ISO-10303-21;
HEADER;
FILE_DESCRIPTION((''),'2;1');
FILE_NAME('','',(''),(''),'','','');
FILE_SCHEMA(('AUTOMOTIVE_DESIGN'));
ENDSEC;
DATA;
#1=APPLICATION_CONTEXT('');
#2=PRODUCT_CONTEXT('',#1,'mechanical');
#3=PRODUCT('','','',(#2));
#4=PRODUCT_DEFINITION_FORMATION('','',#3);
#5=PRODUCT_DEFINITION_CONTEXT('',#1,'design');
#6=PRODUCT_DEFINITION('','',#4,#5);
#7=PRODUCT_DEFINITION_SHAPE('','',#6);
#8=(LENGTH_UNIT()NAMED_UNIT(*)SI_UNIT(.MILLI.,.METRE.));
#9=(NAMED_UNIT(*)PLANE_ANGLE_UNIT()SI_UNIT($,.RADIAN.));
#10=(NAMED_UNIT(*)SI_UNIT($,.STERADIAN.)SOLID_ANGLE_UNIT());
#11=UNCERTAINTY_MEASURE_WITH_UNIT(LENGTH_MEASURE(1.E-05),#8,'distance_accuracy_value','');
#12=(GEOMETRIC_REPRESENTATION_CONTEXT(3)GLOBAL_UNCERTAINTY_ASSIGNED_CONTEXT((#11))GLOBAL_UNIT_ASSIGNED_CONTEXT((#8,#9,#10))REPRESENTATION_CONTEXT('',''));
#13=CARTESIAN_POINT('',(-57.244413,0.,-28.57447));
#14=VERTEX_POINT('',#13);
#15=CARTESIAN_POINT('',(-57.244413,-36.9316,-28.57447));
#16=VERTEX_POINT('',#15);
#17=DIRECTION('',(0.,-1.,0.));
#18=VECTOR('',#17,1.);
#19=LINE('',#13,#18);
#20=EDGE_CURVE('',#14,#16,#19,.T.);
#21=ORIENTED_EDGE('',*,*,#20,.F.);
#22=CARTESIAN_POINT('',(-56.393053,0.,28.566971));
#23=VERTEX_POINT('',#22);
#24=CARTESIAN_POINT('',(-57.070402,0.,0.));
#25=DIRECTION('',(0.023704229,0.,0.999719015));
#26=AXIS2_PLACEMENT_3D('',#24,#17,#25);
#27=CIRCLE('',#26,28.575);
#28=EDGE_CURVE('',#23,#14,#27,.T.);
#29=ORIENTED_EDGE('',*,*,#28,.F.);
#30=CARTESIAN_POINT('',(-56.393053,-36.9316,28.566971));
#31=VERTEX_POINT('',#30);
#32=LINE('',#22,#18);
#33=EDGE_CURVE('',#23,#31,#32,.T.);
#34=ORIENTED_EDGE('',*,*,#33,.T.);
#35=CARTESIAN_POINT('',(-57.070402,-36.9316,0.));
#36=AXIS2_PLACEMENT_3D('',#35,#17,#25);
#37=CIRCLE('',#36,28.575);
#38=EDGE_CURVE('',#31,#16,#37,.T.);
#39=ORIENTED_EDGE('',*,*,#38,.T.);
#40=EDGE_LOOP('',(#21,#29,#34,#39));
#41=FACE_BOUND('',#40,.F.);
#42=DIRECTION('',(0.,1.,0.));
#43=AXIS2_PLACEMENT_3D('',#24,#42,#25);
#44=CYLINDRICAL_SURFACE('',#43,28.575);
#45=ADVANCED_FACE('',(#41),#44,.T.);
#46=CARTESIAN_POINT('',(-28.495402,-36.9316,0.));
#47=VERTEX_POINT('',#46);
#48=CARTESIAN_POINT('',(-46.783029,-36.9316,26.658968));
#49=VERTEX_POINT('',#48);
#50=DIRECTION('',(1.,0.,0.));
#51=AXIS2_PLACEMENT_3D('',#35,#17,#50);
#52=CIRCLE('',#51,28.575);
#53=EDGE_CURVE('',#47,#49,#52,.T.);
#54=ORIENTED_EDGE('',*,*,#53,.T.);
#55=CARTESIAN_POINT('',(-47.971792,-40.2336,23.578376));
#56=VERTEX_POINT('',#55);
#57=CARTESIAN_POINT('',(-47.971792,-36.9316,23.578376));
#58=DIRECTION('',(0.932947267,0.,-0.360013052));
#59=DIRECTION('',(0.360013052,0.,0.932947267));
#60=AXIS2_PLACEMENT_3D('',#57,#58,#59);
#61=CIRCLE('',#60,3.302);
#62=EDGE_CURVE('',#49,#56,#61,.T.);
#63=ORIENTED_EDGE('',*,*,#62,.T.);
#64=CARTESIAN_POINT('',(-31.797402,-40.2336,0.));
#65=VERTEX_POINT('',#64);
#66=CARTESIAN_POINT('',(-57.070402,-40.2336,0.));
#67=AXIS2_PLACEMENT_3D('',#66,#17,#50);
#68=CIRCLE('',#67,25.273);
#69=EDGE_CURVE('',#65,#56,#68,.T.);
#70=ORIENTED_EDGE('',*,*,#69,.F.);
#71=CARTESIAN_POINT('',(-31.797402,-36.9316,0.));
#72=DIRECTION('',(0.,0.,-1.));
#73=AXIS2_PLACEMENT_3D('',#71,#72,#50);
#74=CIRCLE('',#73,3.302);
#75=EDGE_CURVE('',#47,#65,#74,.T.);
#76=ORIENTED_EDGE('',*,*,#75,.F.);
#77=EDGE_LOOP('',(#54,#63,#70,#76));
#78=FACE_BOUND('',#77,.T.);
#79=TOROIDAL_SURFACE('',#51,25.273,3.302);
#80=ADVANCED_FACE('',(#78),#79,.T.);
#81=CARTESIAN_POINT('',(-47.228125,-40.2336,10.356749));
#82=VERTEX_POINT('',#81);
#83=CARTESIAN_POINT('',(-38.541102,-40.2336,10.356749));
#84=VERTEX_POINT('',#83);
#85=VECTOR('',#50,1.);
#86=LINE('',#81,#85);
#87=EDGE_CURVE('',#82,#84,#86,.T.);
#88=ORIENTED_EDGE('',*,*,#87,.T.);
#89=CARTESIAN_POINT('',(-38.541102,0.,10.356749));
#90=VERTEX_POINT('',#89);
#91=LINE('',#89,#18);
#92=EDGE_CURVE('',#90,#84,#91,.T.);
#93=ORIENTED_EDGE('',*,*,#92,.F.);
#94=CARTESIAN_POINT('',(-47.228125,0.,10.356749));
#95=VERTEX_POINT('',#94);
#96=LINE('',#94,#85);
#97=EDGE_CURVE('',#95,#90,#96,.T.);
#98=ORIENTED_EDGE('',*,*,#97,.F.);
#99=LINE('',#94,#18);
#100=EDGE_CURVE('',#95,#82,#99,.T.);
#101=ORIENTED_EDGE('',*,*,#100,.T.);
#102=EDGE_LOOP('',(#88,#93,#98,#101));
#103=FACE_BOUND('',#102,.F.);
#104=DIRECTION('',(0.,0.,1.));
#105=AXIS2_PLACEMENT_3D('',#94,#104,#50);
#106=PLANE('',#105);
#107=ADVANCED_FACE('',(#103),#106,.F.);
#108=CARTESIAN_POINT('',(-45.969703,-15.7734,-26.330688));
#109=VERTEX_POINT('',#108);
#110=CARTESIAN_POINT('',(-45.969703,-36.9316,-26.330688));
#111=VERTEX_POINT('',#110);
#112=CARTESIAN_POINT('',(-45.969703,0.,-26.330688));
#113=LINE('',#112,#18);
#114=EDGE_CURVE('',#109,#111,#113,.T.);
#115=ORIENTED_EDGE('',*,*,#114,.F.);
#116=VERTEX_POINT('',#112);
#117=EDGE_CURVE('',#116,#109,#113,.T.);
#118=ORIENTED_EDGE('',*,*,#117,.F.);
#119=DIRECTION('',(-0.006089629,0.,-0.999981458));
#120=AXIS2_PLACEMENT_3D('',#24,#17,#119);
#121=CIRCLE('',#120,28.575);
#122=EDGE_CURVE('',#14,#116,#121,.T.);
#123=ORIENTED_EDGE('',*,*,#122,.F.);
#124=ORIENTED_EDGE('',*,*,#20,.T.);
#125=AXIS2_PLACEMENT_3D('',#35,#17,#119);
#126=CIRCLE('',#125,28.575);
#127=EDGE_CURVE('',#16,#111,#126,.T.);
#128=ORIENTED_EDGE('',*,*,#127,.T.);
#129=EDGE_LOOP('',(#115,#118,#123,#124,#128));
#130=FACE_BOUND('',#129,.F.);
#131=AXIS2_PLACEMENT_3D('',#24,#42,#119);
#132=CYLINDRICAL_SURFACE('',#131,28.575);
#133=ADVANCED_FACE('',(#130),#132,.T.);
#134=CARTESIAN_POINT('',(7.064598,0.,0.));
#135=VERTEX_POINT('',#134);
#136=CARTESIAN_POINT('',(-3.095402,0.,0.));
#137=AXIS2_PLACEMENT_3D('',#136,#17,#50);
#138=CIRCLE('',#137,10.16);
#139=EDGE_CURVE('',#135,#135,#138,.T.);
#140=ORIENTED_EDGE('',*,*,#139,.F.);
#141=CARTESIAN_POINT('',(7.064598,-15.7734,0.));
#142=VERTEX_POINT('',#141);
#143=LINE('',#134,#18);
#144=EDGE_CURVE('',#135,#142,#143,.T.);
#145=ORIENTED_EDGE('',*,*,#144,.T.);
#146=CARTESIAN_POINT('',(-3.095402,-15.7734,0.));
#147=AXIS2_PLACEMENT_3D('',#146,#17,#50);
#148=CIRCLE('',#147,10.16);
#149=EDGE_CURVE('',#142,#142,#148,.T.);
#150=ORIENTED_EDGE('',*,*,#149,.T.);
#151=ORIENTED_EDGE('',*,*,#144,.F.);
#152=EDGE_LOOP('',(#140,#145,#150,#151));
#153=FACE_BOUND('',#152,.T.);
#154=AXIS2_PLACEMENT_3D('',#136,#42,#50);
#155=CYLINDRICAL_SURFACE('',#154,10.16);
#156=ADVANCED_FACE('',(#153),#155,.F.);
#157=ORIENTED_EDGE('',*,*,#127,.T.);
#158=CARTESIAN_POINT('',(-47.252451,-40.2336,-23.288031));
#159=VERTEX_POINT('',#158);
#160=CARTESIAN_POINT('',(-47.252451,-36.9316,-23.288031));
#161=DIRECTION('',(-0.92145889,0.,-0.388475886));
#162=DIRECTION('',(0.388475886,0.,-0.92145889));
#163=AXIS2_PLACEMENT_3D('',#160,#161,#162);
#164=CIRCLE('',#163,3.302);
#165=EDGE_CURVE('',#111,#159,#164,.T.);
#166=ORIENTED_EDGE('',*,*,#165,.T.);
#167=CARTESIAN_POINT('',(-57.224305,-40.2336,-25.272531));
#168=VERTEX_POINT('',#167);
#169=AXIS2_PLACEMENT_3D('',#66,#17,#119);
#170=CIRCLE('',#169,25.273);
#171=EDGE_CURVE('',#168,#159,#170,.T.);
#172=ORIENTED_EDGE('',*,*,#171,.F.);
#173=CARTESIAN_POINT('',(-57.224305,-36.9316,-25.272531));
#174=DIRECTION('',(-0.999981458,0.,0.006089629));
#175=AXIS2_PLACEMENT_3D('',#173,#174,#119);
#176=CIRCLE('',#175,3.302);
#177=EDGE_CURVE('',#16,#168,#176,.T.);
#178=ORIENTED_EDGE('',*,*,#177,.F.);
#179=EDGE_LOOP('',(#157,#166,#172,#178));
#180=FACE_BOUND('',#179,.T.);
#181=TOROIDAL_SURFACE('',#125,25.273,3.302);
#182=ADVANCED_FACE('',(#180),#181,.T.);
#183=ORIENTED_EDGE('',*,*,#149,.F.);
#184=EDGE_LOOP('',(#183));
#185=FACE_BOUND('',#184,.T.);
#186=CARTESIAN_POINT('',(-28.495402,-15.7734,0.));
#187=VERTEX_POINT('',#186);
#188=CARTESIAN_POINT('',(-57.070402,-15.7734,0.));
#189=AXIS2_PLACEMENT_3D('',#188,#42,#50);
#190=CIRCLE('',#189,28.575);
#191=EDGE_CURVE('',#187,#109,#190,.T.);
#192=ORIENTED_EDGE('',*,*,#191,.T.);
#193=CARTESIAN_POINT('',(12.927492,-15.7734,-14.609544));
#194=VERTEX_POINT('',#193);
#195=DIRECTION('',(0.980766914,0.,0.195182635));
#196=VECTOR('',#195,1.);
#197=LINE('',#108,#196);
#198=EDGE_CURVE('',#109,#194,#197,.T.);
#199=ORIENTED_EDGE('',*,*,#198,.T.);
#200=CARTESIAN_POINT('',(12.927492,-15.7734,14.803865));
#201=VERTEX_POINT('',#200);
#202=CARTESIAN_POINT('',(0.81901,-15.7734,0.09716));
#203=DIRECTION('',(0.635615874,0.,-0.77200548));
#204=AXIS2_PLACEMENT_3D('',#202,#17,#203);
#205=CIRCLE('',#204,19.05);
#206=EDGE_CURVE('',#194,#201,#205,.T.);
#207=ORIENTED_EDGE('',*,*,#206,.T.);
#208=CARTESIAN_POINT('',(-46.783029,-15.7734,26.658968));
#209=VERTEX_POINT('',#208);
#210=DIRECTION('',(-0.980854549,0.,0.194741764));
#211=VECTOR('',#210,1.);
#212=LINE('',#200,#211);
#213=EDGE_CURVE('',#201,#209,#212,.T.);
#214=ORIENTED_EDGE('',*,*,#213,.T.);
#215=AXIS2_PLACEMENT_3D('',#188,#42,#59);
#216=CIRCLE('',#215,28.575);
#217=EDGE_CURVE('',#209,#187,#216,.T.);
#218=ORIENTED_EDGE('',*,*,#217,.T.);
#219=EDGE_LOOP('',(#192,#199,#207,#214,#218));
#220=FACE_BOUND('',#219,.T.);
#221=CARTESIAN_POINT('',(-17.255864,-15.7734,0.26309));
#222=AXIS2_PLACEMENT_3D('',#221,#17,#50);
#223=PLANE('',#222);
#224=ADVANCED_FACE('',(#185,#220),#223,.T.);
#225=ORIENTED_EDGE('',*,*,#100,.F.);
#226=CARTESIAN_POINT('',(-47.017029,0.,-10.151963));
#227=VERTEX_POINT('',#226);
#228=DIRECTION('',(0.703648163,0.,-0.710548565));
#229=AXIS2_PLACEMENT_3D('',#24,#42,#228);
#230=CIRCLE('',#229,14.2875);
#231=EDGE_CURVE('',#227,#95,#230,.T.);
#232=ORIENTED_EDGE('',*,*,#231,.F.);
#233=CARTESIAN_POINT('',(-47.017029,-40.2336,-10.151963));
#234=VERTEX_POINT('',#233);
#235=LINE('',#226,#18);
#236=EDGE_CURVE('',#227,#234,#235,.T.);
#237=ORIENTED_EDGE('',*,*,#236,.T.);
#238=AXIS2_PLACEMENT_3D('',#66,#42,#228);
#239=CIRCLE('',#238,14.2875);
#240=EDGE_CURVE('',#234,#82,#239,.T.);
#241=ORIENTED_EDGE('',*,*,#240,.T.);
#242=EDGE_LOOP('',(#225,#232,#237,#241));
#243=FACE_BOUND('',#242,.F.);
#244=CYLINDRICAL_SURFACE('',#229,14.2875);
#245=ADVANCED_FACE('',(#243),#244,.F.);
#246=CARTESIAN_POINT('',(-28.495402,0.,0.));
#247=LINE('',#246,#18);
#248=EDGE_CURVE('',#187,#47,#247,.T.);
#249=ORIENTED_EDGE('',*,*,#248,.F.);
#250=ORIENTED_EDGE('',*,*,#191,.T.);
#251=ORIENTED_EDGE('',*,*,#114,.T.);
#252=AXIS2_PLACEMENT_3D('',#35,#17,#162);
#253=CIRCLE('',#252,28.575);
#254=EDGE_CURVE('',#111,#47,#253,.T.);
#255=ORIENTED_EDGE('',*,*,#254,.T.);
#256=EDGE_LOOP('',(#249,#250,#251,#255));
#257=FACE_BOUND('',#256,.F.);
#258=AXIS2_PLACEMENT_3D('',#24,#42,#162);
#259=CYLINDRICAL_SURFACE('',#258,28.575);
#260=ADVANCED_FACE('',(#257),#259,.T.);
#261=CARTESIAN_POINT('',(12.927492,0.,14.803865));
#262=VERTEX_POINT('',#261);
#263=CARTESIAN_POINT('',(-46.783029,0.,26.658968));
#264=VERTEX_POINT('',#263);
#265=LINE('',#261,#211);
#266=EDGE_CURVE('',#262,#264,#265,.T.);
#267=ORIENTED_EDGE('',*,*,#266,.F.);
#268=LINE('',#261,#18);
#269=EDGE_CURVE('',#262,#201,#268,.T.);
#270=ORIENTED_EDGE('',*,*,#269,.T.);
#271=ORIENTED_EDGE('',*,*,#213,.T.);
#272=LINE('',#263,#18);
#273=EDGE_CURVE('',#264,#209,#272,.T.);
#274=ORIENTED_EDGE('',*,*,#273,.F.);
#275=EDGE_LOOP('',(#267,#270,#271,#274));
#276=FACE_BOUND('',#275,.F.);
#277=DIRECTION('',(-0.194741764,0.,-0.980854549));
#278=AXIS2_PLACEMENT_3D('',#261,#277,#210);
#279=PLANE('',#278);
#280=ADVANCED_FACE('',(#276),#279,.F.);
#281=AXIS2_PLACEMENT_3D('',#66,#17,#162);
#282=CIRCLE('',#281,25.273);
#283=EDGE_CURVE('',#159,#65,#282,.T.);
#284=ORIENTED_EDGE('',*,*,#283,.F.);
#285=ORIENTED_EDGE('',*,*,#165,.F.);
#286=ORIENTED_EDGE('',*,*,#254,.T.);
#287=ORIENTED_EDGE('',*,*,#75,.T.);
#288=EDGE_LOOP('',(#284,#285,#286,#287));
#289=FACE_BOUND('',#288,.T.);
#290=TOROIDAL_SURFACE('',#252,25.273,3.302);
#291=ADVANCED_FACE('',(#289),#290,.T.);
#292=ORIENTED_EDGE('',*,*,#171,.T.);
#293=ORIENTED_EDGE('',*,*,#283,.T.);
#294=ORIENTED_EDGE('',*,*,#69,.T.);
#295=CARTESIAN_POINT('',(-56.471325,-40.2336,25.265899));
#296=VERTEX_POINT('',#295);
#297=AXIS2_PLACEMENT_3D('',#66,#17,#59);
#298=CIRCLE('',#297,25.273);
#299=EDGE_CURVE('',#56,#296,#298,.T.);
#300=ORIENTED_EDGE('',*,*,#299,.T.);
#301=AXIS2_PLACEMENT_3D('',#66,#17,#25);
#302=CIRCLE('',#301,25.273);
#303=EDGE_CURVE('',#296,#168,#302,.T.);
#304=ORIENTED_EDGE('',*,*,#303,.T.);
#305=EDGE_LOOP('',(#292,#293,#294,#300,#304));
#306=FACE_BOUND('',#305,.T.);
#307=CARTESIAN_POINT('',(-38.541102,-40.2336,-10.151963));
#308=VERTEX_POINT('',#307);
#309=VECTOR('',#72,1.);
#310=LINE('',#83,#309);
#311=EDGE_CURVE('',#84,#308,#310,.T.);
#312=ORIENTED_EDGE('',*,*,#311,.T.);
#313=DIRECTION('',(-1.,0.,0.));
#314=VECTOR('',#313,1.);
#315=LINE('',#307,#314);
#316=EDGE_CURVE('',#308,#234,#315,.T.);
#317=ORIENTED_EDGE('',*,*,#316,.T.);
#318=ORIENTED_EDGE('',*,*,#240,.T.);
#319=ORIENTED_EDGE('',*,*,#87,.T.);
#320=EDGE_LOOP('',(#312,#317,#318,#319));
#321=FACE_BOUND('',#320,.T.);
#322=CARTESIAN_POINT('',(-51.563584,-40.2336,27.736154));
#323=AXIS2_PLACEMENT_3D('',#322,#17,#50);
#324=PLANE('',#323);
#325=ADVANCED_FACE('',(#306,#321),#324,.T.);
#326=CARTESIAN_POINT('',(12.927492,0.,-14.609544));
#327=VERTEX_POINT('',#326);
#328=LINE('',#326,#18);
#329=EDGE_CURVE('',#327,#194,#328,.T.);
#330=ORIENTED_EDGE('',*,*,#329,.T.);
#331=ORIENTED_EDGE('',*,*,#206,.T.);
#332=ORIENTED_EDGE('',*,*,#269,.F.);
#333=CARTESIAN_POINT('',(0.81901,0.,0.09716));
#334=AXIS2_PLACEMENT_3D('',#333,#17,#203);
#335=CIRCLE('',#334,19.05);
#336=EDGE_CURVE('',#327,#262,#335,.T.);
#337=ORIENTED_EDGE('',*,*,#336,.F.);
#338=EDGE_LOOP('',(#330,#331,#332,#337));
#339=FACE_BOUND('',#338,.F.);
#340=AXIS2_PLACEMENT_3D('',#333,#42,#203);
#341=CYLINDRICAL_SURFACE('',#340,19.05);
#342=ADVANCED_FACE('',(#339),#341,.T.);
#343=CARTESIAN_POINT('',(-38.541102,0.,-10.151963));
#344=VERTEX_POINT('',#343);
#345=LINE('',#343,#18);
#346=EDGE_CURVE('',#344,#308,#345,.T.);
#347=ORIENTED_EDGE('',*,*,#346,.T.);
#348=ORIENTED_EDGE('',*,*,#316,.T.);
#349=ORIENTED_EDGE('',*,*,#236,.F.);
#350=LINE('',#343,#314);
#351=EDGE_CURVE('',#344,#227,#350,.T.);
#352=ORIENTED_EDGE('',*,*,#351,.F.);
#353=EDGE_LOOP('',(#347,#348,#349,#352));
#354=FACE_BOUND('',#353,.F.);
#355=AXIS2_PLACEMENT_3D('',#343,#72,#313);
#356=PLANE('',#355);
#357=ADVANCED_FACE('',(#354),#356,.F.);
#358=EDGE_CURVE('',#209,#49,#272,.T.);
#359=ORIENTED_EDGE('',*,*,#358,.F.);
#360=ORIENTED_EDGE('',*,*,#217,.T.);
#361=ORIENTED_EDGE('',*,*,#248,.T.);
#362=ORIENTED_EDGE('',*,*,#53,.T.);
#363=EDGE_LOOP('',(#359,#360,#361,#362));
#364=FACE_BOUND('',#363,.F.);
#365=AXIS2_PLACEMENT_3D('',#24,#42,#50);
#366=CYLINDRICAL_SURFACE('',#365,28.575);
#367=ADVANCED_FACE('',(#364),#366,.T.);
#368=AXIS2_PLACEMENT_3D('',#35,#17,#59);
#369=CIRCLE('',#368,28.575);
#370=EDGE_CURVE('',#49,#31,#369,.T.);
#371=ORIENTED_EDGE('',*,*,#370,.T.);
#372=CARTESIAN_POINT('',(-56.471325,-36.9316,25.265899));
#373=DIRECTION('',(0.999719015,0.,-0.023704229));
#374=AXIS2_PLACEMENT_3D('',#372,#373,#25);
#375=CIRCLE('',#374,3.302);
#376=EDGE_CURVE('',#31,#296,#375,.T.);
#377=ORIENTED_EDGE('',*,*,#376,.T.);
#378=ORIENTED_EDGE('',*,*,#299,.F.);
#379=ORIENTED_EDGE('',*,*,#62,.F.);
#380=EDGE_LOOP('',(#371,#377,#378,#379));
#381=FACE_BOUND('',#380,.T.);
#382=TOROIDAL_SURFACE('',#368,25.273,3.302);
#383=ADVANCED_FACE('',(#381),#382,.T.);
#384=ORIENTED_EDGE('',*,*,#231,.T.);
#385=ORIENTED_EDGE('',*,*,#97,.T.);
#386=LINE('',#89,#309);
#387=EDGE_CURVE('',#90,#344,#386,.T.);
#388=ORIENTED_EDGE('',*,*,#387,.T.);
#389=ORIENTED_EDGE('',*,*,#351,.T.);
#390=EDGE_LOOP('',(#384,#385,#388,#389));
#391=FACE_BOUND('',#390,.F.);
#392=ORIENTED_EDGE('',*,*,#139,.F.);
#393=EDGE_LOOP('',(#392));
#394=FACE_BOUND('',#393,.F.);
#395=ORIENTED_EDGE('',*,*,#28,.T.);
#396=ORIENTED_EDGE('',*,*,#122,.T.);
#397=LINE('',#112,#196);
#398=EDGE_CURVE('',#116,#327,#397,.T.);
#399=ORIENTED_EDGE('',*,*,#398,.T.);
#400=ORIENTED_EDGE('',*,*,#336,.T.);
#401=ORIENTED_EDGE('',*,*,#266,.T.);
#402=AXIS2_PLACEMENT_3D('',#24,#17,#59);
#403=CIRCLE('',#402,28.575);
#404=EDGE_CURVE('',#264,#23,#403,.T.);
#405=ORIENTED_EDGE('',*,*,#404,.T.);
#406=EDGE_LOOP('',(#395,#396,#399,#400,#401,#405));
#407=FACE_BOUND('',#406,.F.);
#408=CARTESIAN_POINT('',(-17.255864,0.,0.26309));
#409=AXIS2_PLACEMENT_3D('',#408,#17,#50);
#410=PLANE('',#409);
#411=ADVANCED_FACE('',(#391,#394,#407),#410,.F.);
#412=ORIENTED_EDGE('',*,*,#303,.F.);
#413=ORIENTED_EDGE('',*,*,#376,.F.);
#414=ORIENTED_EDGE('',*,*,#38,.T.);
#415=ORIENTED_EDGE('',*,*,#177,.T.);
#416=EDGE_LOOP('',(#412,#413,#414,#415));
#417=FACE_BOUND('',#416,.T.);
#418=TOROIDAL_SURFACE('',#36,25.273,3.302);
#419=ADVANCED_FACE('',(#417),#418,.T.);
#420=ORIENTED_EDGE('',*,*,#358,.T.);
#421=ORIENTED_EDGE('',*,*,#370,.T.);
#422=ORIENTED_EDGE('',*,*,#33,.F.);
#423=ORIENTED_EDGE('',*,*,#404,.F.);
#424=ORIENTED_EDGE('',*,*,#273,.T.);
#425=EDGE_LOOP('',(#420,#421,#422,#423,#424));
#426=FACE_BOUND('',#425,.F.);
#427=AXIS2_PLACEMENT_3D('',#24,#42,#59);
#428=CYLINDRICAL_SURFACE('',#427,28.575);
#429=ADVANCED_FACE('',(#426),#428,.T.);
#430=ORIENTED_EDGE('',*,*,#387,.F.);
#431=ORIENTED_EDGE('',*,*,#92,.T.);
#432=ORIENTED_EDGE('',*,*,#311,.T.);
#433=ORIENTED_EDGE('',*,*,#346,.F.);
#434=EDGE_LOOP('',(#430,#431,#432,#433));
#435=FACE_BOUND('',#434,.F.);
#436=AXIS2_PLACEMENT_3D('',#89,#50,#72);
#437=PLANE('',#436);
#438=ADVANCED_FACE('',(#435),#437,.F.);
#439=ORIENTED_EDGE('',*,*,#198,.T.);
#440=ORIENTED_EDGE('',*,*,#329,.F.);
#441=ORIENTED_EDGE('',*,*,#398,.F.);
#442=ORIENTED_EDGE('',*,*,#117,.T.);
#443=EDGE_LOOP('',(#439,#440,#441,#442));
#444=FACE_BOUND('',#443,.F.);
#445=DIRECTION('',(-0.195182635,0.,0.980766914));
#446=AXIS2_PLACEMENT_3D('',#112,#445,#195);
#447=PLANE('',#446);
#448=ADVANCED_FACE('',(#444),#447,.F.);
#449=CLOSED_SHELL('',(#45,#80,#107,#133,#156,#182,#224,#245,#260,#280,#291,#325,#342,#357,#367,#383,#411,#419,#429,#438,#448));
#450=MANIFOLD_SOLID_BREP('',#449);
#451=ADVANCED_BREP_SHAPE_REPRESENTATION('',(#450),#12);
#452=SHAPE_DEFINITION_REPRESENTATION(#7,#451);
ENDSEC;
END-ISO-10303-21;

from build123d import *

# Parameters (mm, degrees)
F1_DEPTH = 40.2336
F0_R     = 10.16
F2_DEPTH = 15.7734
F3_R     = 3.302


with BuildPart() as f1:
    # F0 (on Front) → F1 (new body)
    with BuildSketch(Plane.XZ):
        with BuildLine():
            ThreePointArc((-46.7830288695, 26.6589681412), (-51.5056559342, 28.027918724), (-56.3930534915, 28.5669708617))
            Line((-56.3930534915, 28.5669708617), (-46.7830288695, 26.6589681412))
        make_face()
        with BuildLine():
            Line((-45.9697033865, -26.3306877774), (-57.2444129947, -28.5744701634))
            ThreePointArc((-57.2444129947, -28.5744701634), (-51.4930580564, -28.0254145609), (-45.9697033865, -26.3306877774))
        make_face()
        with BuildLine():
            Line((-46.7830288695, 26.6589681412), (-56.3930534915, 28.5669708617))
            ThreePointArc((-56.3930534915, 28.5669708617), (-85.6422307581, 0.4256962659), (-57.2444129947, -28.5744701634))
            Line((-57.2444129947, -28.5744701634), (-45.9697033865, -26.3306877774))
            ThreePointArc((-45.9697033865, -26.3306877774), (-33.2614425676, -15.8007621125), (-28.4954018406, 0))
            ThreePointArc((-28.4954018406, 0), (-33.506740117, 16.1642961856), (-46.7830288695, 26.6589681412))
        make_face()
        with BuildLine():
            ThreePointArc((-47.01702871, -10.1519626155), (-71.3571450466, -0.1470537858), (-47.2281253638, 10.3567490075))
            Line((-47.2281253638, 10.3567490075), (-38.5411018406, 10.3567490075))
            Line((-38.5411018406, 10.3567490075), (-38.5411018406, -10.1519626155))
            Line((-38.5411018406, -10.1519626155), (-47.01702871, -10.1519626155))
        make_face(mode=Mode.SUBTRACT)
    extrude(amount=F1_DEPTH)

    # F0 (on Front) → F2 (join)
    with BuildSketch(Plane.XZ):
        with BuildLine():
            Line((12.9274923096, 14.8038646076), (-46.7830288695, 26.6589681412))
            ThreePointArc((-46.7830288695, 26.6589681412), (-33.506740117, 16.1642961856), (-28.4954018406, 0))
            ThreePointArc((-28.4954018406, 0), (-33.2614425676, -15.8007621125), (-45.9697033865, -26.3306877774))
            Line((-45.9697033865, -26.3306877774), (12.9274923096, -14.6095441843))
            ThreePointArc((12.9274923096, -14.6095441843), (19.8690099187, 0.0971602116), (12.9274923096, 14.8038646076))
        make_face()
        with Locations((-3.0954018406, 0)):
            Circle(F0_R, mode=Mode.SUBTRACT)
    extrude(amount=F2_DEPTH)

    # F3
    f3_edges = [f1.edges().sort_by_distance(p)[0] for p in [
        (-57.74775, -40.2336, -28.566971),
    ]]
    fillet(f3_edges, radius=F3_R)


solid = f1.part
